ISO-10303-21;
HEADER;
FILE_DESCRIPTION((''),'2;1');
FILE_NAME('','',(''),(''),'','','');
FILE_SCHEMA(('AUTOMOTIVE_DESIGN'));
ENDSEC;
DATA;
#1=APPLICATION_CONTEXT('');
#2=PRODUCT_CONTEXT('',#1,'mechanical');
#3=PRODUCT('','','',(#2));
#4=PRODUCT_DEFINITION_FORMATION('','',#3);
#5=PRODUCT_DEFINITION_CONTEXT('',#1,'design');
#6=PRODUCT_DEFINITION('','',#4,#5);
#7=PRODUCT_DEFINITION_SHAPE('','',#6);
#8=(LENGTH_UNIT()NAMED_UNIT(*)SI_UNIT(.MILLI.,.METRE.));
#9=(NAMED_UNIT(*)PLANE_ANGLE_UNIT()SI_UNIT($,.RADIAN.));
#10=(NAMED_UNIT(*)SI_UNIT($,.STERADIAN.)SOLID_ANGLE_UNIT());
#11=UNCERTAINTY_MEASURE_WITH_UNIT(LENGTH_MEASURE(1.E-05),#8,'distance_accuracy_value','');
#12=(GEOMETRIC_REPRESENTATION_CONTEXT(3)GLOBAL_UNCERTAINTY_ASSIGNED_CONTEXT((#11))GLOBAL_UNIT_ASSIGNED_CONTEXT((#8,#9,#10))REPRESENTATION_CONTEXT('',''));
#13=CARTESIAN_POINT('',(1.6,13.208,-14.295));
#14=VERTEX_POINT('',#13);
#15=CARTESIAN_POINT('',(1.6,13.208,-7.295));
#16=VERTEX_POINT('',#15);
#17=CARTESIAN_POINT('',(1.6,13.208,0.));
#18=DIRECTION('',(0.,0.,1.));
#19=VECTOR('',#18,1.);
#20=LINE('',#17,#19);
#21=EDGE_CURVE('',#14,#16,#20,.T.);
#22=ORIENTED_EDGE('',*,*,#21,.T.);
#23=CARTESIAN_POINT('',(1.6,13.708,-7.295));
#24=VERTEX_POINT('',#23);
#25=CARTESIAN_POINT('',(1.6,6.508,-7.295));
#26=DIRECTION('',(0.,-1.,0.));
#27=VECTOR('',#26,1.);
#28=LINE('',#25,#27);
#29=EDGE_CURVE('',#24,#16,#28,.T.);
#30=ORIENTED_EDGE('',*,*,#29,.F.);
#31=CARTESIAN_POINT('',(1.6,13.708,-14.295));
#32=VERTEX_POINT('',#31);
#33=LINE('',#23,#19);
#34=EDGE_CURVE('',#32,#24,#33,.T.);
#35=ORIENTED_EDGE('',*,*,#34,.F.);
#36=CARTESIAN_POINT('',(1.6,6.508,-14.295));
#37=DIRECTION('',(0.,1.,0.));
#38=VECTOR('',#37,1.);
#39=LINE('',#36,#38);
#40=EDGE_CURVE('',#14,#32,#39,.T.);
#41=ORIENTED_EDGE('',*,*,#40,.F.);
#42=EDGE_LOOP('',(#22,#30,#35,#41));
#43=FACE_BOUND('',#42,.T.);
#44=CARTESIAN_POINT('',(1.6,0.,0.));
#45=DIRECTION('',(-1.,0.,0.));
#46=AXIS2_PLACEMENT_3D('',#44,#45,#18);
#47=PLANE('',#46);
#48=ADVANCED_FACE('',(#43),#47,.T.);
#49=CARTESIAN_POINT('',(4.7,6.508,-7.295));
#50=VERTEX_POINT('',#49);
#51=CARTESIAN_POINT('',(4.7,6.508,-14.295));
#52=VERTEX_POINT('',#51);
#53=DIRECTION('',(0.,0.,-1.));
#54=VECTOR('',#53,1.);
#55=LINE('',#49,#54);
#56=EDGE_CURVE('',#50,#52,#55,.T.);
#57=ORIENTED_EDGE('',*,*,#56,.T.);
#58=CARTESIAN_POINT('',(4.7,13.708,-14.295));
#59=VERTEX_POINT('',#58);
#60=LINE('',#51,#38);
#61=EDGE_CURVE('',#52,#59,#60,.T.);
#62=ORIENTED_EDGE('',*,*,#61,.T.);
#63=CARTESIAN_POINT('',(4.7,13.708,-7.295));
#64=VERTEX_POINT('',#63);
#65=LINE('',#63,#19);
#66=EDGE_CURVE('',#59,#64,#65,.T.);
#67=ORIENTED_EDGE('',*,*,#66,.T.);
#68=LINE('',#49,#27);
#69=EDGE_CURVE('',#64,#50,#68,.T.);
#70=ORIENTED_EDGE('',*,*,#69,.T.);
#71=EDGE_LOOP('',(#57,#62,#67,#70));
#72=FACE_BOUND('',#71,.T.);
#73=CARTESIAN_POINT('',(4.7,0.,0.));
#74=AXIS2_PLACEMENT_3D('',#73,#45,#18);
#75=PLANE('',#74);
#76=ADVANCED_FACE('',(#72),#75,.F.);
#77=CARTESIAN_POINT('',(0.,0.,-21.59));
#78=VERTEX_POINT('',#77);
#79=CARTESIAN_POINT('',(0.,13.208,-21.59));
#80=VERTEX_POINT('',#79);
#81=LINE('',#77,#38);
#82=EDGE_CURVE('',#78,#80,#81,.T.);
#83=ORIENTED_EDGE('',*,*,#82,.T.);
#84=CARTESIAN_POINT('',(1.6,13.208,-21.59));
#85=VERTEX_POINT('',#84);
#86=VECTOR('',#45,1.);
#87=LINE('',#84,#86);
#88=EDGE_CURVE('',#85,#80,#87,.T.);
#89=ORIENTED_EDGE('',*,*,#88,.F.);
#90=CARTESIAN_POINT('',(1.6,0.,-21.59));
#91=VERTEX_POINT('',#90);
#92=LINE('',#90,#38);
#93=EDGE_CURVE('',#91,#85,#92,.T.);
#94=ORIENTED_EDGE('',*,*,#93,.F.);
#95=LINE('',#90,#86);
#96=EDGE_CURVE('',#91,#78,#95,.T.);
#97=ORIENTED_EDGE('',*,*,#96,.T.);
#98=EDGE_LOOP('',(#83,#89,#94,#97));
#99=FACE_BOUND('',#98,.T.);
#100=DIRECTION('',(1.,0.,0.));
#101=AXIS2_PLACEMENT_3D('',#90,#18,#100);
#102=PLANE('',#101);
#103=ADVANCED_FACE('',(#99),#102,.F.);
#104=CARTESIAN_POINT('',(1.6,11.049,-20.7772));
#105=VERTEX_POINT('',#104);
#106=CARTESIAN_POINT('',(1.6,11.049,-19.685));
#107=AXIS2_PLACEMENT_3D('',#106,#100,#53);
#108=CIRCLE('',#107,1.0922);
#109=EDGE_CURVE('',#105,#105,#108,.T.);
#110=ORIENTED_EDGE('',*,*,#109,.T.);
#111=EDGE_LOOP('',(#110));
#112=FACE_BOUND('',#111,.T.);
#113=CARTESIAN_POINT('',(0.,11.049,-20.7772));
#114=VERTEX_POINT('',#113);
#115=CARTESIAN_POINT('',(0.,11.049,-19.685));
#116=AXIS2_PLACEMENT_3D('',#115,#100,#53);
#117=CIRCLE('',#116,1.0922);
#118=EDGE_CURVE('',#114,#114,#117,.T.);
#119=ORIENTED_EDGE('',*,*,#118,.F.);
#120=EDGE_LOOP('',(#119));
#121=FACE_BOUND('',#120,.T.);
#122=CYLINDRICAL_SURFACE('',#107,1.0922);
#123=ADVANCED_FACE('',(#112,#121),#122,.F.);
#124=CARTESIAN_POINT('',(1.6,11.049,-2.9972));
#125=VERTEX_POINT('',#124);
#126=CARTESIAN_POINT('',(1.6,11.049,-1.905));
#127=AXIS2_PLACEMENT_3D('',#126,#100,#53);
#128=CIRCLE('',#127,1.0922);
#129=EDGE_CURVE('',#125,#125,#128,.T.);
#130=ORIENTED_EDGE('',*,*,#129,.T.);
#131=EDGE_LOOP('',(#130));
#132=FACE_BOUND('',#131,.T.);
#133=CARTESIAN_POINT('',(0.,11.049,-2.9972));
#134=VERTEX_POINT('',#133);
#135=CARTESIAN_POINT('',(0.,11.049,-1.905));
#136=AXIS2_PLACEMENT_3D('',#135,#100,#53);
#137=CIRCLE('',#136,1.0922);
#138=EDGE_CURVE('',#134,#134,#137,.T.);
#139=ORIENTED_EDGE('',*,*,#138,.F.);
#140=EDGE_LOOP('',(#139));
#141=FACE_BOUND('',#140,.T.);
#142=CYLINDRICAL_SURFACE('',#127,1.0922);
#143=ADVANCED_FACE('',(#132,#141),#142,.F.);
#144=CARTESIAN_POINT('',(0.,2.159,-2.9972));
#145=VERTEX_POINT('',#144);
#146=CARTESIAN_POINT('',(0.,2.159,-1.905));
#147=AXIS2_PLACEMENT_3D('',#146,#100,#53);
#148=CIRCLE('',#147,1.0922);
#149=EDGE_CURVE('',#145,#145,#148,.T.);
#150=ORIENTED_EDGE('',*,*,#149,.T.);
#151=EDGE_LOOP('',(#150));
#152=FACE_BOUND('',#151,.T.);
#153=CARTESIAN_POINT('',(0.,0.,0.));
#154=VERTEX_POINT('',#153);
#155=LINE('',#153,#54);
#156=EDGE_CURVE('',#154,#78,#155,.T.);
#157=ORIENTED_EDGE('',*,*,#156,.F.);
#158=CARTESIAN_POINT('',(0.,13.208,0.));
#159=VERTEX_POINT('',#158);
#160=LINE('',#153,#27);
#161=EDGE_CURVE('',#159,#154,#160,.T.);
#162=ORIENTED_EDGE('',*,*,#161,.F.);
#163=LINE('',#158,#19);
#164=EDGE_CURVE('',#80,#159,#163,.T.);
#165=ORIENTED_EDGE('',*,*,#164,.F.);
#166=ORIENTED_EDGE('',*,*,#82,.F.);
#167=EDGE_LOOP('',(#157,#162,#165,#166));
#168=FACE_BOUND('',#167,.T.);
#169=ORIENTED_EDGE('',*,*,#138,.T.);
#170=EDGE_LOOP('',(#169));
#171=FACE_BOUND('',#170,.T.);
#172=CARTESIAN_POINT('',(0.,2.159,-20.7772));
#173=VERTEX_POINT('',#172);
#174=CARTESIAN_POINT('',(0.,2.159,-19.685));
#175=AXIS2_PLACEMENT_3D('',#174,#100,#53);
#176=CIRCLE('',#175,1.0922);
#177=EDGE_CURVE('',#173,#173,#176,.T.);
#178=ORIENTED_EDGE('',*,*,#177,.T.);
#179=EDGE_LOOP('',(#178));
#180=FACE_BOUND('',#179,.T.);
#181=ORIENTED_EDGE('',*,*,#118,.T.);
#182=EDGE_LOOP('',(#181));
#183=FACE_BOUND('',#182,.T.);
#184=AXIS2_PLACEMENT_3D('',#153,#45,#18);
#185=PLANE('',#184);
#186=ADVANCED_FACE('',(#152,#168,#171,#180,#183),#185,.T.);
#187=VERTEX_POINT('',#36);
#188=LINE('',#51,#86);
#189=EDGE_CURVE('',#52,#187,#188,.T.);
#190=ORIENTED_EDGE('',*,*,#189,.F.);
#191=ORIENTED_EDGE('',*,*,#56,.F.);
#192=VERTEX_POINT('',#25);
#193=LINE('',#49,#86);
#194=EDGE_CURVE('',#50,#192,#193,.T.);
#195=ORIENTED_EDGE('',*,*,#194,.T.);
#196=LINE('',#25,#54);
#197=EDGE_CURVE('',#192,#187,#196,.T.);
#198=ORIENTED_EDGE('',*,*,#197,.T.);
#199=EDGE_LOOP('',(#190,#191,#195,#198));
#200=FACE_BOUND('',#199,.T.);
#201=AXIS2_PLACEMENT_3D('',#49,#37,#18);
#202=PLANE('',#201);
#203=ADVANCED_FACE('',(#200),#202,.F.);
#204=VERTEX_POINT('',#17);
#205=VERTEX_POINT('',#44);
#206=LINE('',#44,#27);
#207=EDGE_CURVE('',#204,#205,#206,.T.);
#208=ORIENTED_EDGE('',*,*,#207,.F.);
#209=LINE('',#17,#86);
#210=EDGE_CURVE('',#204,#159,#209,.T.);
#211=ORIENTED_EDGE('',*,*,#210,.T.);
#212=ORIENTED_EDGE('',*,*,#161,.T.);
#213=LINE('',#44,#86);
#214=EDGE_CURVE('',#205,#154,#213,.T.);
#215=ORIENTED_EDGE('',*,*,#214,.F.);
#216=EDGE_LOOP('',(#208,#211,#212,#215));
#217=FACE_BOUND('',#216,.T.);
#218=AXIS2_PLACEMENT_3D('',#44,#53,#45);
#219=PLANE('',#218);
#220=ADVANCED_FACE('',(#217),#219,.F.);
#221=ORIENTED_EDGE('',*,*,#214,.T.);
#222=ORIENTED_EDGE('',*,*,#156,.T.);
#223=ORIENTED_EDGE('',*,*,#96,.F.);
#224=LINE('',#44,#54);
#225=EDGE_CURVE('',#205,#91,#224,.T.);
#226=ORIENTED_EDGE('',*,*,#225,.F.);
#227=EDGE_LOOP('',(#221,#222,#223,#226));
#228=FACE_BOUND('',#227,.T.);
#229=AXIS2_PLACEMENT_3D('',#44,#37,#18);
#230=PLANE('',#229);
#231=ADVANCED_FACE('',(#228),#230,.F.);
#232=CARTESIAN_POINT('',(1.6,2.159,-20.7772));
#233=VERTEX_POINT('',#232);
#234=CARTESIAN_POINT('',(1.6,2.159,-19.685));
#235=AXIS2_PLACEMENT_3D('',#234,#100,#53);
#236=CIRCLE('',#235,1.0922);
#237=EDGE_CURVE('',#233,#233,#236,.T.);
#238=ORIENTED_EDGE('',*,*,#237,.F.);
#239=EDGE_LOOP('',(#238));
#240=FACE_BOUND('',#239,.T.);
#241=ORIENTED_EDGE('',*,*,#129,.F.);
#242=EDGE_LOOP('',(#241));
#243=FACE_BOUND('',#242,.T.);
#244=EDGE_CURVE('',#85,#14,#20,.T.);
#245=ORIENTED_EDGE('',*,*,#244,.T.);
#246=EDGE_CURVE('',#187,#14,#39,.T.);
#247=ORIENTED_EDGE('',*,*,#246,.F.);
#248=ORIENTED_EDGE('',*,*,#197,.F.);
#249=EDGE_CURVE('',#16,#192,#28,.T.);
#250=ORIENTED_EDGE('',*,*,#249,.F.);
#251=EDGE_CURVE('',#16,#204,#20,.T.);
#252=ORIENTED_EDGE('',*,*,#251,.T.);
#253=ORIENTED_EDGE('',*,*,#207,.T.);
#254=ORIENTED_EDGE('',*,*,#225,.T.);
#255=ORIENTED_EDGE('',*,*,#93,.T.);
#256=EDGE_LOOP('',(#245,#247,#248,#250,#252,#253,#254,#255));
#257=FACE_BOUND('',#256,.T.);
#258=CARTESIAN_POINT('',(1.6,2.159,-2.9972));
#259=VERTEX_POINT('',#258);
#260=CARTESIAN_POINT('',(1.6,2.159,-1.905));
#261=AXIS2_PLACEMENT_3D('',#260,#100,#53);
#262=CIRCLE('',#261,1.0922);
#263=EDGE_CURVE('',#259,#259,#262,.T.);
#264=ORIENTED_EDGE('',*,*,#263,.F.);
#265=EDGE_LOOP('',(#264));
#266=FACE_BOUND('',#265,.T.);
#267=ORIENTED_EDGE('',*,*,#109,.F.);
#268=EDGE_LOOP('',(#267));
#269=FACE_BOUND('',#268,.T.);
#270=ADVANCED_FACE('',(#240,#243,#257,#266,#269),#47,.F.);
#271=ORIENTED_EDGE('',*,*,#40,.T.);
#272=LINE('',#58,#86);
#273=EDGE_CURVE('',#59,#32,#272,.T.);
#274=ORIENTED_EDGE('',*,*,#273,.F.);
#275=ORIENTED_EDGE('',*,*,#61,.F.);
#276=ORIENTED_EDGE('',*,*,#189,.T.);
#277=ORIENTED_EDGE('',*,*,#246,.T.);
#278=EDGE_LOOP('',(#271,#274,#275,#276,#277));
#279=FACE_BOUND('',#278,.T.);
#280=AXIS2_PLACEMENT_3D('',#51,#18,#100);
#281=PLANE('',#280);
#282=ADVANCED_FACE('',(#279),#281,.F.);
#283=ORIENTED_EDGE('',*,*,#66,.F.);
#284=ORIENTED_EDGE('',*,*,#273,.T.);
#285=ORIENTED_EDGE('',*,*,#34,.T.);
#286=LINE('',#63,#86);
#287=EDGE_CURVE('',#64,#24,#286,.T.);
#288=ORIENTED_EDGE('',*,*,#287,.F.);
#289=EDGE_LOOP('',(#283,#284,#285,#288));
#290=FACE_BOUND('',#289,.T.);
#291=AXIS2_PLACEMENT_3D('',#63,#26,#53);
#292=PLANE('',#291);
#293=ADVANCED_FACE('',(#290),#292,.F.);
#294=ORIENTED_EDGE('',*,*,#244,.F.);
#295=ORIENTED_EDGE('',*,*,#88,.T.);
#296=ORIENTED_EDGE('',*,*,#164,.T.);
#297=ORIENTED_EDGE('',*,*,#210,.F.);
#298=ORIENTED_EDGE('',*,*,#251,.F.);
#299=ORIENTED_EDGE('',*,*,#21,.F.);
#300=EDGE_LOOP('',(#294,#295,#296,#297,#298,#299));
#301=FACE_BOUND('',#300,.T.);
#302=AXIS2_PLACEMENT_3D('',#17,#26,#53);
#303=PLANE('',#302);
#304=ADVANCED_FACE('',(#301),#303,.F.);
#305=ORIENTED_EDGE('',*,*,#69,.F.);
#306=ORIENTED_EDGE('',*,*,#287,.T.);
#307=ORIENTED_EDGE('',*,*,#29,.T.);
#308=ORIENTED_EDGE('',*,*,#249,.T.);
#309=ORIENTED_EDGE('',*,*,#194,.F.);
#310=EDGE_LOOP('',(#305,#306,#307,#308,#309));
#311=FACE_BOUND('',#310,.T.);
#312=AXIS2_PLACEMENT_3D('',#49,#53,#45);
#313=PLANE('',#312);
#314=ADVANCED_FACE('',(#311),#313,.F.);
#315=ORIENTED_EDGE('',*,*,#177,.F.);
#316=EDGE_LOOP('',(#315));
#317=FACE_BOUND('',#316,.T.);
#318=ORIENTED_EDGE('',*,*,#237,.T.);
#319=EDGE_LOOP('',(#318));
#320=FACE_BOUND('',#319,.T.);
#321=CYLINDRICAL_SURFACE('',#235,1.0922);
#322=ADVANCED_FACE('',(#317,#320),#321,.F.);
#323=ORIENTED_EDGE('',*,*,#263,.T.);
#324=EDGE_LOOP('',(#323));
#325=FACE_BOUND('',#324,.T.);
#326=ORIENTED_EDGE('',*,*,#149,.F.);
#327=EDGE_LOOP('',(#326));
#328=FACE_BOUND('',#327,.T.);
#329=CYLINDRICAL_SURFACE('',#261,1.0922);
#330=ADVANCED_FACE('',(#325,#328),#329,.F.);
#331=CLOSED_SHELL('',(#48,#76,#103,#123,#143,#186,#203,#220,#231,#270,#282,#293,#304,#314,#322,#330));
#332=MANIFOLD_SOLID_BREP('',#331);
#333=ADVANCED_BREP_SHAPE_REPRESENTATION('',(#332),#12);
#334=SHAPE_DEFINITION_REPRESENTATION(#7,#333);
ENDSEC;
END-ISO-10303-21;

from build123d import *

# Parameters (mm, degrees)
SKETCH1_W                   = 21.59
SKETCH1_H                   = 13.208
BOSS_EXTRUDE1_DEPTH         = 1.6
F_44_0_086_DIAMETER_HOLE1_D = 2.1844
SKETCH4_W                   = 7
SKETCH4_H                   = 7.2
BOSS_EXTRUDE2_DEPTH         = 3.1


with BuildPart() as part:
    # Sketch1 → Boss-Extrude1 (new body)
    with BuildSketch(Plane(origin=(0, 0, 0), x_dir=(0, 0, -1), z_dir=(1, 0, 0))):
        with Locations((10.795, 6.604)):
            Rectangle(SKETCH1_W, SKETCH1_H)
    extrude(amount=BOSS_EXTRUDE1_DEPTH)

    # #44 (0.086) Diameter Hole1 (through all)
    with Locations(Plane(origin=(1.6, 0, 0), x_dir=(0, 0, -1), z_dir=(1, 0, 0))):
        with Locations((1.905, 11.049), (19.685, 11.049), (19.685, 2.159), (1.905, 2.159)):
            Hole(F_44_0_086_DIAMETER_HOLE1_D / 2)

    # Sketch4 → Boss-Extrude2 (add)
    with BuildSketch(Plane(origin=(1.6, 0, 0), x_dir=(0, 0, -1), z_dir=(1, 0, 0))):
        with Locations((10.795, 10.108)):
            Rectangle(SKETCH4_W, SKETCH4_H)
    extrude(amount=BOSS_EXTRUDE2_DEPTH)


solid = part.part
